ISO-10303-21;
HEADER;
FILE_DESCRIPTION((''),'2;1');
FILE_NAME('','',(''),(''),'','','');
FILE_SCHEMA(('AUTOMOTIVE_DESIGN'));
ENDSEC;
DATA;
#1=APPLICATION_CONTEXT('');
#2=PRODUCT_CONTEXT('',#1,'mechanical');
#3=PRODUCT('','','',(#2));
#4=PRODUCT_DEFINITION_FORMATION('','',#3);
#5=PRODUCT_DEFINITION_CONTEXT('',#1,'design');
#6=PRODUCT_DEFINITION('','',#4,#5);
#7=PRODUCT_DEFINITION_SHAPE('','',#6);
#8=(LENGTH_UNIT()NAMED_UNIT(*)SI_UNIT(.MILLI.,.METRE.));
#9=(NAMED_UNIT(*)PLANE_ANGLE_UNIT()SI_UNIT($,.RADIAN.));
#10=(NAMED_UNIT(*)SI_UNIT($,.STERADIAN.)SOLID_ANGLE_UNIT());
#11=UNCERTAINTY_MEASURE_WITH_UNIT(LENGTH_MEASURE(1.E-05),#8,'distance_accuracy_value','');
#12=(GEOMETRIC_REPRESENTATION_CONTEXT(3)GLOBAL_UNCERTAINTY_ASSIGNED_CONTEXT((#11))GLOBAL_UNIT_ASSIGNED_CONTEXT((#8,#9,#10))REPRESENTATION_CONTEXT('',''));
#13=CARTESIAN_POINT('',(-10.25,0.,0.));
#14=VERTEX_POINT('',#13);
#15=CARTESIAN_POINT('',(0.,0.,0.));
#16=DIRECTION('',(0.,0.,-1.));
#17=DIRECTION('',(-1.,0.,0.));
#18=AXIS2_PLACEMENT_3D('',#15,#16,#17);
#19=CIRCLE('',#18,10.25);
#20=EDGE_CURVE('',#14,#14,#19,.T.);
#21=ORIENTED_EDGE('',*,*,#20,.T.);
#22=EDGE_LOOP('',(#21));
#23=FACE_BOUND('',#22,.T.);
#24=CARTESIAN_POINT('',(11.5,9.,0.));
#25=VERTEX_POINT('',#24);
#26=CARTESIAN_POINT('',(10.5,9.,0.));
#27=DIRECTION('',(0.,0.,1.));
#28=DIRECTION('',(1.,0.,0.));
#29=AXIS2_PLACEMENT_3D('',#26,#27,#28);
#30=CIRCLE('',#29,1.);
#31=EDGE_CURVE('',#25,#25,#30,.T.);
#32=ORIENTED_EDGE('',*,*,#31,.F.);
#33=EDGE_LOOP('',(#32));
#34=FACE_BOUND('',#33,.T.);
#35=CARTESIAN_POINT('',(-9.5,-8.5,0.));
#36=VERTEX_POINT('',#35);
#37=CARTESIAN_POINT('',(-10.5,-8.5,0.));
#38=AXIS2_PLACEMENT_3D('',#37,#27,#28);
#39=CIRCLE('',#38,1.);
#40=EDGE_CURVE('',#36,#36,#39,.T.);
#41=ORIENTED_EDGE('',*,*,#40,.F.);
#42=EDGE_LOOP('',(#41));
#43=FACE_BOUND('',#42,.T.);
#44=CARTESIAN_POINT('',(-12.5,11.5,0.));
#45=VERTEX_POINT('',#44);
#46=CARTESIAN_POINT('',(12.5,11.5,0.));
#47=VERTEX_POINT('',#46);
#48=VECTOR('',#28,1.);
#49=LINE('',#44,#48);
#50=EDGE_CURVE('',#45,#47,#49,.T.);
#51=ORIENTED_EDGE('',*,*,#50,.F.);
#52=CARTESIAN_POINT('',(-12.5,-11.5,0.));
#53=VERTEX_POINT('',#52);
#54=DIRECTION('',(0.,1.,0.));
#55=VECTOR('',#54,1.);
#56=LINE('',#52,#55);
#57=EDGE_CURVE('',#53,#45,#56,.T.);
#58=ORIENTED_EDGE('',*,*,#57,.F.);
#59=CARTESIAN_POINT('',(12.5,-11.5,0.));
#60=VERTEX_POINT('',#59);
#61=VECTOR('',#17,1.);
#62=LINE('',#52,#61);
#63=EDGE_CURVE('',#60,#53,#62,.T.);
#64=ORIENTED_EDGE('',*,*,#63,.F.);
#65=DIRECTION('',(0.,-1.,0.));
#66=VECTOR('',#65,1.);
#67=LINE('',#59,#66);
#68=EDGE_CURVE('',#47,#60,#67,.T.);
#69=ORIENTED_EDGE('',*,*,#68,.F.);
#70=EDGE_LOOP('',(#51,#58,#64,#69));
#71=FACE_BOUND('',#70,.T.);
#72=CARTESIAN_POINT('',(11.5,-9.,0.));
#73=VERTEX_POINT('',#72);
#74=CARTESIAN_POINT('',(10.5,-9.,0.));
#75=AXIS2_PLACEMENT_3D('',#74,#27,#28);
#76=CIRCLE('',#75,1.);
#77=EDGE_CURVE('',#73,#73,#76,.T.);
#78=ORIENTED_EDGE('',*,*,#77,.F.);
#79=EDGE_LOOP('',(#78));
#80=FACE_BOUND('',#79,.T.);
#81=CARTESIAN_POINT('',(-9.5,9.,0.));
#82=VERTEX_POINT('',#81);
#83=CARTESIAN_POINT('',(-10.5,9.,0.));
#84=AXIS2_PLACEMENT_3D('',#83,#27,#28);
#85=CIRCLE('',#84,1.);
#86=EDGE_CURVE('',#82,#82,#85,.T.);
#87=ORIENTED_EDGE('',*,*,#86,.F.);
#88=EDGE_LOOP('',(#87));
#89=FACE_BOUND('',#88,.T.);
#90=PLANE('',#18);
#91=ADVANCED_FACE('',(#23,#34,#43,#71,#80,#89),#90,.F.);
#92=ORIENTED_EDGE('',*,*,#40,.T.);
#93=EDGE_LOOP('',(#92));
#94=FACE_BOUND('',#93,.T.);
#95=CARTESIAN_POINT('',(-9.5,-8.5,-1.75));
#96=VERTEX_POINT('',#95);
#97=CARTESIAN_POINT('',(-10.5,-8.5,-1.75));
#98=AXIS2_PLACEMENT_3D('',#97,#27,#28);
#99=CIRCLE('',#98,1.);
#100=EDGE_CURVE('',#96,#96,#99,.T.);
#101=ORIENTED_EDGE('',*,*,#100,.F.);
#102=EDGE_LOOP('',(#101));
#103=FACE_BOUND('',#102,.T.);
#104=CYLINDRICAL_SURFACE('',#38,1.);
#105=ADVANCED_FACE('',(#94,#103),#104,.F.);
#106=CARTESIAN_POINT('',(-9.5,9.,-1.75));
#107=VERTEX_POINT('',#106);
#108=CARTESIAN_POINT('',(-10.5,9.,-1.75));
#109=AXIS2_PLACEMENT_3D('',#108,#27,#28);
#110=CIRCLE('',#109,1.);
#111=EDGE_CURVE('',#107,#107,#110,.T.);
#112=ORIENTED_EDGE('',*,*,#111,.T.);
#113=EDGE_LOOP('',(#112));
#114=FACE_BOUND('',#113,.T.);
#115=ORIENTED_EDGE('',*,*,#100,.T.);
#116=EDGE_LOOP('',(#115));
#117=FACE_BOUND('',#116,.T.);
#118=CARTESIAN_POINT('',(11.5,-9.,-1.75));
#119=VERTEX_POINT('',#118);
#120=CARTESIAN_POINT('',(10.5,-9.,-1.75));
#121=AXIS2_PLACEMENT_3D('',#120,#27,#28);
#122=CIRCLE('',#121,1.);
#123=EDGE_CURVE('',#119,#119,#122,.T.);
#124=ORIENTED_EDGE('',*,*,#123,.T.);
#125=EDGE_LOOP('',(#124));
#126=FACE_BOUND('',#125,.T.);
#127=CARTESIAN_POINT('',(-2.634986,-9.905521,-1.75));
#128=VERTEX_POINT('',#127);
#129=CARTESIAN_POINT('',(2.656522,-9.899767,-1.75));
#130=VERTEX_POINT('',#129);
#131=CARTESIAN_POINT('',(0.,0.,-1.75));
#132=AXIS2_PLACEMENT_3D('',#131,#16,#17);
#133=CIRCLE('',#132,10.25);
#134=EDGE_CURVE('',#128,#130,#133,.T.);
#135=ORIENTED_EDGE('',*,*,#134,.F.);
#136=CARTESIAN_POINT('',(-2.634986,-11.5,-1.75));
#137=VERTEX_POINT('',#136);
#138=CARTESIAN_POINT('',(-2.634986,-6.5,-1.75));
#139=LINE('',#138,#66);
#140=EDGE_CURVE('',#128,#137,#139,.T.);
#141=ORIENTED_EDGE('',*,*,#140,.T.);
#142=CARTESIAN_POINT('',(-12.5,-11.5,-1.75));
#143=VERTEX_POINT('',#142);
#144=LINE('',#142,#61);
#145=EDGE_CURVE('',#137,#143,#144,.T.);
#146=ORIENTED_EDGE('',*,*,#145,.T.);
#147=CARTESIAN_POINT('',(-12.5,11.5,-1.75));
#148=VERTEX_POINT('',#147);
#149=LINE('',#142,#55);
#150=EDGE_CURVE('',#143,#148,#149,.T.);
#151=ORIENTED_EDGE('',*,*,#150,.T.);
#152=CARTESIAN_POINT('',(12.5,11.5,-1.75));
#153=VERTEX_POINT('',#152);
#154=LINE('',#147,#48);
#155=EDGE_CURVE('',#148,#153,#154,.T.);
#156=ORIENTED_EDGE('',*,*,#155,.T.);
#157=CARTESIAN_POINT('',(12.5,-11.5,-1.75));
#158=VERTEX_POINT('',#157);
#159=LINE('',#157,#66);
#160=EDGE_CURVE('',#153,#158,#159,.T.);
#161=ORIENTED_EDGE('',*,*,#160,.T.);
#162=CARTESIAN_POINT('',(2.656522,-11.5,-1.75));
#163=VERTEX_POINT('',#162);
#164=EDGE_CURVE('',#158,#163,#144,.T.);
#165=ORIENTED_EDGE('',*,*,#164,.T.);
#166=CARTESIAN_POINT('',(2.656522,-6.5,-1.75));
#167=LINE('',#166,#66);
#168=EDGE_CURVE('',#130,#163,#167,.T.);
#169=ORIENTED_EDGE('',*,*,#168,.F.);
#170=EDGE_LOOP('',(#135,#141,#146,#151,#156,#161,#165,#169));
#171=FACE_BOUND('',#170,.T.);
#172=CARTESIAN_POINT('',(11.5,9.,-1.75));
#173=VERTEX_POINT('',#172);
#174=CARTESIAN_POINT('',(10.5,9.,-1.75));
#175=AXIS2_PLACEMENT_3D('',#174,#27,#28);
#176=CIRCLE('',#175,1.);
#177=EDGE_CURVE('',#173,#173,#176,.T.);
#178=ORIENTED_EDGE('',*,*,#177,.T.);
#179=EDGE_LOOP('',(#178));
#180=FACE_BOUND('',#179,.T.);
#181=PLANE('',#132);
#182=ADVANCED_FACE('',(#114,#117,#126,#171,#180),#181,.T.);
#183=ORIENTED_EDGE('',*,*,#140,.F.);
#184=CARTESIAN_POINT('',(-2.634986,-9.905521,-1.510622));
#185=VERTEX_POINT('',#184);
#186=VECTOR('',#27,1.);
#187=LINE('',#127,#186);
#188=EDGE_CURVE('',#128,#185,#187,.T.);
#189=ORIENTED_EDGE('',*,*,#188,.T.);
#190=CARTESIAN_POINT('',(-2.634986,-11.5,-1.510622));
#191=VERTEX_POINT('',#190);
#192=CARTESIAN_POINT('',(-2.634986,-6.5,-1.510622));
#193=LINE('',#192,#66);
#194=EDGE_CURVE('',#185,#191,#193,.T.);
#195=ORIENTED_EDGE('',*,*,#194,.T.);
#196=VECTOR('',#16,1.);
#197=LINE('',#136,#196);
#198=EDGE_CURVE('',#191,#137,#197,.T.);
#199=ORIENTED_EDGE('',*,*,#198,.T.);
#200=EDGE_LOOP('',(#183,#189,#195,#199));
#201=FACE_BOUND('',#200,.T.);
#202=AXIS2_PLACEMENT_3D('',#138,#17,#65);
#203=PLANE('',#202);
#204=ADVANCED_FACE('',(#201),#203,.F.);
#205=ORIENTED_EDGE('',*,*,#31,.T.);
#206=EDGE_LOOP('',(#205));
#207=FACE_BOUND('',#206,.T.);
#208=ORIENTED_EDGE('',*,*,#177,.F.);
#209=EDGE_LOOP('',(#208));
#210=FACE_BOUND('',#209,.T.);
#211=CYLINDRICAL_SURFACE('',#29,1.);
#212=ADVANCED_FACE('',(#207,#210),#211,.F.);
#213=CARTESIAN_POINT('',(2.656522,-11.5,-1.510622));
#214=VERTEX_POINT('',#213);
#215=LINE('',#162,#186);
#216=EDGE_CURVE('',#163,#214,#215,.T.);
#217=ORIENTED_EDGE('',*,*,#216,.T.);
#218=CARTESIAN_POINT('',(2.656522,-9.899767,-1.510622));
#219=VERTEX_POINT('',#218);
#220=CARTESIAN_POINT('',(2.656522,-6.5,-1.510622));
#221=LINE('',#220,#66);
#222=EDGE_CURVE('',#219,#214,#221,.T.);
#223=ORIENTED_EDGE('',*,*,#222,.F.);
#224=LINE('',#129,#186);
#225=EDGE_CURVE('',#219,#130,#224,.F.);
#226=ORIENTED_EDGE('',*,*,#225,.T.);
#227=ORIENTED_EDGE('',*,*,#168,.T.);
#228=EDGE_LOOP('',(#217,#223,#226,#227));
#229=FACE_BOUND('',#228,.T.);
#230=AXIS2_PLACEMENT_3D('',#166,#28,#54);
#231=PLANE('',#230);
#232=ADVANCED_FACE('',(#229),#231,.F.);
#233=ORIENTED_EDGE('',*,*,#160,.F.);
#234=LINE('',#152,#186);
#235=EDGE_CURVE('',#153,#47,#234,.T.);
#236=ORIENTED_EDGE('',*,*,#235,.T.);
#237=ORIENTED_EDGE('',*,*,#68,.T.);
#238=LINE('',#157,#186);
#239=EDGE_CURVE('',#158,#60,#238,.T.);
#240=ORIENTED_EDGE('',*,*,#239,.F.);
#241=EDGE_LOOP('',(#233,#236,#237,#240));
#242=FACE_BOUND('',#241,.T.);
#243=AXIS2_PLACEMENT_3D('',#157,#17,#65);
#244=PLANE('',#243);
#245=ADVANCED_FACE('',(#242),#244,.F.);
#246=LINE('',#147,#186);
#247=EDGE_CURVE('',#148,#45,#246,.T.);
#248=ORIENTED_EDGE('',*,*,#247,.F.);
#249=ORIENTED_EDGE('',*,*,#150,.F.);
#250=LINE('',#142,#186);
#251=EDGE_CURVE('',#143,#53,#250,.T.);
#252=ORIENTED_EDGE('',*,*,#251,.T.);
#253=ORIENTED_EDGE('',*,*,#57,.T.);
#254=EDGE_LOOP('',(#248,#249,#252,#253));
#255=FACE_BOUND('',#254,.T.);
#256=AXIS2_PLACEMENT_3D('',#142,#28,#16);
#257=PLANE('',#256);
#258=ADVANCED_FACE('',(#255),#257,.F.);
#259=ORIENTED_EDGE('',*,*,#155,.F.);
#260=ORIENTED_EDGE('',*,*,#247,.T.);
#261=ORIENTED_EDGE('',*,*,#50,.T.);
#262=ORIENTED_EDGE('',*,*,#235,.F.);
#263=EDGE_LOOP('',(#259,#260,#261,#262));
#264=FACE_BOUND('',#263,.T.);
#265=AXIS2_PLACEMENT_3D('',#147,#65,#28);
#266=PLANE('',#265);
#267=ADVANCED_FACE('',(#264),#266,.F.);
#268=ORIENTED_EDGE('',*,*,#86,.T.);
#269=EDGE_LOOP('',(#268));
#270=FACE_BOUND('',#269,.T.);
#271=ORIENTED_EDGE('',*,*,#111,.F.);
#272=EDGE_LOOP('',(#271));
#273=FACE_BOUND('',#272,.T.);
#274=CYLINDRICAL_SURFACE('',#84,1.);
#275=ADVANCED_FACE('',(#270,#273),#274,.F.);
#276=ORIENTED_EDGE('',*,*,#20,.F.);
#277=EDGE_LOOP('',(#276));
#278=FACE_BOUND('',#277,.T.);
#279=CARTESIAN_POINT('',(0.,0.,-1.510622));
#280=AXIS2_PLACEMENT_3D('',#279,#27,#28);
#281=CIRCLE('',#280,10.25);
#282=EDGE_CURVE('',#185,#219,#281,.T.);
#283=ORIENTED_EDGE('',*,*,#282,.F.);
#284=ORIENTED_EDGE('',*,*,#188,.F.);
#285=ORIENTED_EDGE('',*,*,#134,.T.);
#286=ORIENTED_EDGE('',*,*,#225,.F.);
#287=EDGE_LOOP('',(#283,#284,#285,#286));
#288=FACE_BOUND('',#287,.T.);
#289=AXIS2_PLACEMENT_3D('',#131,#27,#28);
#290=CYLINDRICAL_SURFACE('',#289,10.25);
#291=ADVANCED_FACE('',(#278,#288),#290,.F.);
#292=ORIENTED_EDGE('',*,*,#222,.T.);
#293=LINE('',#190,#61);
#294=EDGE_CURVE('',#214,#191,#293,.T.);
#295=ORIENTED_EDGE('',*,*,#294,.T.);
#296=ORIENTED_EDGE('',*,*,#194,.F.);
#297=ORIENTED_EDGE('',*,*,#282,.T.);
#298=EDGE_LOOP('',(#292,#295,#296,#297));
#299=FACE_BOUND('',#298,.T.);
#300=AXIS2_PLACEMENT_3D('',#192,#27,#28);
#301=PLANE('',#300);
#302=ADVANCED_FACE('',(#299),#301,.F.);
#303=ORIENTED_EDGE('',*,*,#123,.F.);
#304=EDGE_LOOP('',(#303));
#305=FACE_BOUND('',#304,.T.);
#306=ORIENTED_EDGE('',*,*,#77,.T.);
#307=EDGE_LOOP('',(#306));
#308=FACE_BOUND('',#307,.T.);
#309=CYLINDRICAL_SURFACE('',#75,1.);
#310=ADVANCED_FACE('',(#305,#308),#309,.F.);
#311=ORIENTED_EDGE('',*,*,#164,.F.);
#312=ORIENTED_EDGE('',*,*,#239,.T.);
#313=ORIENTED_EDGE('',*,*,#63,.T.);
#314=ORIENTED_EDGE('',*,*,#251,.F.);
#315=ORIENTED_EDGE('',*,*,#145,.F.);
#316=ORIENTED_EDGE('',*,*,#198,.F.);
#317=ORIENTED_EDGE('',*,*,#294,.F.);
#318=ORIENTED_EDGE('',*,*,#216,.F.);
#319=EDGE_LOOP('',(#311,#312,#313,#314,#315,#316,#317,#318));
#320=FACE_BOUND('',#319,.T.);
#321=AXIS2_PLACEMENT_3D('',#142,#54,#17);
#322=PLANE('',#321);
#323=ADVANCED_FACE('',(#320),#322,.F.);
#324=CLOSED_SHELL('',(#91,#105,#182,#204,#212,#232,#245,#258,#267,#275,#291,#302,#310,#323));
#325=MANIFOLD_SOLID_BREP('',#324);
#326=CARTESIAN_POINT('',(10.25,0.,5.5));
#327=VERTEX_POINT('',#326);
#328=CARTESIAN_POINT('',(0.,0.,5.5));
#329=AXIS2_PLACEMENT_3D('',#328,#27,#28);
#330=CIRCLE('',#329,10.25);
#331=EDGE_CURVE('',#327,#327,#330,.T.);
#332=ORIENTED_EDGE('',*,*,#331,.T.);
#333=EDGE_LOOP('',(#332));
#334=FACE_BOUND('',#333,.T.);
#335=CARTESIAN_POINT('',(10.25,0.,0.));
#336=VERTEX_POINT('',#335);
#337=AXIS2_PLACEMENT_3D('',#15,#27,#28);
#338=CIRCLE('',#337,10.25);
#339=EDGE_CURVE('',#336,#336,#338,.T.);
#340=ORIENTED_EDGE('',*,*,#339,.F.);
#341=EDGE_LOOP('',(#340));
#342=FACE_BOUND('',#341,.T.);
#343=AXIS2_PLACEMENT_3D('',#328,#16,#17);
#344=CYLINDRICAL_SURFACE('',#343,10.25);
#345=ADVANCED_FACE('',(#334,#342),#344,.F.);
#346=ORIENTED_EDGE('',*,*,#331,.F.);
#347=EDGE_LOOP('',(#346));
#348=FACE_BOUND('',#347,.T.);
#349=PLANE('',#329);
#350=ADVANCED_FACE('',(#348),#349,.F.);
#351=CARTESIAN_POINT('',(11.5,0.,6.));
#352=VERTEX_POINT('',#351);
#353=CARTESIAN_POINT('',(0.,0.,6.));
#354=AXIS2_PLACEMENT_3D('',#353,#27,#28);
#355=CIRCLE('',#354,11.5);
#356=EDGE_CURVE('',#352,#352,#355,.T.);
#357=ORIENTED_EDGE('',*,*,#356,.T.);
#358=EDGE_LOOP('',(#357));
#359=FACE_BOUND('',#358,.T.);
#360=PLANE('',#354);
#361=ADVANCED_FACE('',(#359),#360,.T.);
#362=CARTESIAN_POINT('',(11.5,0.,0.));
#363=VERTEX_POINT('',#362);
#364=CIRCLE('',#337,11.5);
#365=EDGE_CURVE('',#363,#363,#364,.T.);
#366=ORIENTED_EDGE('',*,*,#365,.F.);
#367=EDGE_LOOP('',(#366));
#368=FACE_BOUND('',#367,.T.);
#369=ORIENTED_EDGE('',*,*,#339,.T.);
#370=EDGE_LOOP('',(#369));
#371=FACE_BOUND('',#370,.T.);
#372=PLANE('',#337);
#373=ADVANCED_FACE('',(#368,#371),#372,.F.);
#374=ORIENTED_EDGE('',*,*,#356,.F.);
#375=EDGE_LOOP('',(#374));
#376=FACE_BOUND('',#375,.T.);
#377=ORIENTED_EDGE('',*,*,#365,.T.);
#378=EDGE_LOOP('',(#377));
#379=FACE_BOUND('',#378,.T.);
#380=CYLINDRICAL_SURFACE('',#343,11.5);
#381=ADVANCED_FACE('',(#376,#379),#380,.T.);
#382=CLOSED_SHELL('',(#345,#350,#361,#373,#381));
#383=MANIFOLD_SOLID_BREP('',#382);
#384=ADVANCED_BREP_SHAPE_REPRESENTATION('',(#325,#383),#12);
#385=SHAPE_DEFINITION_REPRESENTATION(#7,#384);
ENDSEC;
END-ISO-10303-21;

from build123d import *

# Parameters (mm, degrees)
SKETCH1_R                            = 11.5
SKETCH1_R_2                          = 10.25
BOSS_EXTRUDE1_DEPTH                  = 5.5
SKETCH2_R                            = 11.5
BOSS_EXTRUDE2_DEPTH                  = 0.5
SKETCH3_W                            = 25
SKETCH3_H                            = 23
SKETCH3_R                            = 10.25
BOSS_EXTRUDE3_DEPTH                  = 1.75
SKETCH4_W                            = 5.291507385
SKETCH4_H                            = 0.239377866
CUT_EXTRUDE1_DEPTH                   = 5
SKETCH5_W                            = 1
SKETCH5_H                            = 1.75
TAP_DRILL_FOR_M2X0_4_TAP1_AT_2_COUNT = 2
TAP_DRILL_FOR_M2X0_4_TAP1_AT_2_PITCH = 21
TAP_DRILL_FOR_M2X0_4_TAP1_AT_3_COUNT = 2
TAP_DRILL_FOR_M2X0_4_TAP1_AT_3_PITCH = 27.658633372
TAP_DRILL_FOR_M2X0_4_TAP1_AT_4_COUNT = 2
TAP_DRILL_FOR_M2X0_4_TAP1_AT_4_PITCH = 17.5


with BuildPart() as part:
    # Sketch1 → Boss-Extrude1 (new body)
    with BuildSketch(Plane.XY):
        Circle(SKETCH1_R)
        Circle(SKETCH1_R_2, mode=Mode.SUBTRACT)
    extrude(amount=BOSS_EXTRUDE1_DEPTH)

    # Sketch2 → Boss-Extrude2 (add)
    with BuildSketch(Plane.XY.offset(5.5)):
        Circle(SKETCH2_R)
    extrude(amount=BOSS_EXTRUDE2_DEPTH)


with BuildPart() as body_2:
    # Sketch3 → Boss-Extrude3 (new body)
    with BuildSketch(Plane(origin=(0, 0, 0), x_dir=(-1, 0, 0), z_dir=(0, 0, -1))):
        Rectangle(SKETCH3_W, SKETCH3_H)
        Circle(SKETCH3_R, mode=Mode.SUBTRACT)
    extrude(amount=BOSS_EXTRUDE3_DEPTH)

    # Sketch4 → Cut-Extrude1 (cut)
    with BuildSketch(Plane.XZ.offset(11.5)):
        with Locations((0.010767951, -1.630311067)):
            Rectangle(SKETCH4_W, SKETCH4_H)
    extrude(amount=-CUT_EXTRUDE1_DEPTH, mode=Mode.SUBTRACT)

    # Sketch5 → Tap Drill for M2x0.4 Tap1 (revolve, cut)
    with BuildSketch(Plane(origin=(-10.5, 9, 0), x_dir=(0, -1, 0), z_dir=(1, 0, 0))):
        with Locations((0.5, 0.875)):
            Rectangle(SKETCH5_W, SKETCH5_H)
    tap_drill_for_m2x0_4_tap1 = revolve(axis=Axis((-10.5, 9, 6.35), (0, 0, -1)), mode=Mode.SUBTRACT)

    # Tap Drill for M2x0.4 Tap1 at 2: Tap Drill for M2x0.4 Tap1 ×2
    with Locations(*[(i * TAP_DRILL_FOR_M2X0_4_TAP1_AT_2_PITCH, 0, 0) for i in range(1, TAP_DRILL_FOR_M2X0_4_TAP1_AT_2_COUNT)]):
        add(tap_drill_for_m2x0_4_tap1, mode=Mode.SUBTRACT)

    # Tap Drill for M2x0.4 Tap1 at 3: Tap Drill for M2x0.4 Tap1 ×2
    with Locations(*[Vector(0.7592566023652966, -0.6507913734559686, 0) * (i * TAP_DRILL_FOR_M2X0_4_TAP1_AT_3_PITCH) for i in range(1, TAP_DRILL_FOR_M2X0_4_TAP1_AT_3_COUNT)]):
        add(tap_drill_for_m2x0_4_tap1, mode=Mode.SUBTRACT)

    # Tap Drill for M2x0.4 Tap1 at 4: Tap Drill for M2x0.4 Tap1 ×2
    with Locations(*[(0, -i * TAP_DRILL_FOR_M2X0_4_TAP1_AT_4_PITCH, 0) for i in range(1, TAP_DRILL_FOR_M2X0_4_TAP1_AT_4_COUNT)]):
        add(tap_drill_for_m2x0_4_tap1, mode=Mode.SUBTRACT)


solid = Compound([part.part, body_2.part])
